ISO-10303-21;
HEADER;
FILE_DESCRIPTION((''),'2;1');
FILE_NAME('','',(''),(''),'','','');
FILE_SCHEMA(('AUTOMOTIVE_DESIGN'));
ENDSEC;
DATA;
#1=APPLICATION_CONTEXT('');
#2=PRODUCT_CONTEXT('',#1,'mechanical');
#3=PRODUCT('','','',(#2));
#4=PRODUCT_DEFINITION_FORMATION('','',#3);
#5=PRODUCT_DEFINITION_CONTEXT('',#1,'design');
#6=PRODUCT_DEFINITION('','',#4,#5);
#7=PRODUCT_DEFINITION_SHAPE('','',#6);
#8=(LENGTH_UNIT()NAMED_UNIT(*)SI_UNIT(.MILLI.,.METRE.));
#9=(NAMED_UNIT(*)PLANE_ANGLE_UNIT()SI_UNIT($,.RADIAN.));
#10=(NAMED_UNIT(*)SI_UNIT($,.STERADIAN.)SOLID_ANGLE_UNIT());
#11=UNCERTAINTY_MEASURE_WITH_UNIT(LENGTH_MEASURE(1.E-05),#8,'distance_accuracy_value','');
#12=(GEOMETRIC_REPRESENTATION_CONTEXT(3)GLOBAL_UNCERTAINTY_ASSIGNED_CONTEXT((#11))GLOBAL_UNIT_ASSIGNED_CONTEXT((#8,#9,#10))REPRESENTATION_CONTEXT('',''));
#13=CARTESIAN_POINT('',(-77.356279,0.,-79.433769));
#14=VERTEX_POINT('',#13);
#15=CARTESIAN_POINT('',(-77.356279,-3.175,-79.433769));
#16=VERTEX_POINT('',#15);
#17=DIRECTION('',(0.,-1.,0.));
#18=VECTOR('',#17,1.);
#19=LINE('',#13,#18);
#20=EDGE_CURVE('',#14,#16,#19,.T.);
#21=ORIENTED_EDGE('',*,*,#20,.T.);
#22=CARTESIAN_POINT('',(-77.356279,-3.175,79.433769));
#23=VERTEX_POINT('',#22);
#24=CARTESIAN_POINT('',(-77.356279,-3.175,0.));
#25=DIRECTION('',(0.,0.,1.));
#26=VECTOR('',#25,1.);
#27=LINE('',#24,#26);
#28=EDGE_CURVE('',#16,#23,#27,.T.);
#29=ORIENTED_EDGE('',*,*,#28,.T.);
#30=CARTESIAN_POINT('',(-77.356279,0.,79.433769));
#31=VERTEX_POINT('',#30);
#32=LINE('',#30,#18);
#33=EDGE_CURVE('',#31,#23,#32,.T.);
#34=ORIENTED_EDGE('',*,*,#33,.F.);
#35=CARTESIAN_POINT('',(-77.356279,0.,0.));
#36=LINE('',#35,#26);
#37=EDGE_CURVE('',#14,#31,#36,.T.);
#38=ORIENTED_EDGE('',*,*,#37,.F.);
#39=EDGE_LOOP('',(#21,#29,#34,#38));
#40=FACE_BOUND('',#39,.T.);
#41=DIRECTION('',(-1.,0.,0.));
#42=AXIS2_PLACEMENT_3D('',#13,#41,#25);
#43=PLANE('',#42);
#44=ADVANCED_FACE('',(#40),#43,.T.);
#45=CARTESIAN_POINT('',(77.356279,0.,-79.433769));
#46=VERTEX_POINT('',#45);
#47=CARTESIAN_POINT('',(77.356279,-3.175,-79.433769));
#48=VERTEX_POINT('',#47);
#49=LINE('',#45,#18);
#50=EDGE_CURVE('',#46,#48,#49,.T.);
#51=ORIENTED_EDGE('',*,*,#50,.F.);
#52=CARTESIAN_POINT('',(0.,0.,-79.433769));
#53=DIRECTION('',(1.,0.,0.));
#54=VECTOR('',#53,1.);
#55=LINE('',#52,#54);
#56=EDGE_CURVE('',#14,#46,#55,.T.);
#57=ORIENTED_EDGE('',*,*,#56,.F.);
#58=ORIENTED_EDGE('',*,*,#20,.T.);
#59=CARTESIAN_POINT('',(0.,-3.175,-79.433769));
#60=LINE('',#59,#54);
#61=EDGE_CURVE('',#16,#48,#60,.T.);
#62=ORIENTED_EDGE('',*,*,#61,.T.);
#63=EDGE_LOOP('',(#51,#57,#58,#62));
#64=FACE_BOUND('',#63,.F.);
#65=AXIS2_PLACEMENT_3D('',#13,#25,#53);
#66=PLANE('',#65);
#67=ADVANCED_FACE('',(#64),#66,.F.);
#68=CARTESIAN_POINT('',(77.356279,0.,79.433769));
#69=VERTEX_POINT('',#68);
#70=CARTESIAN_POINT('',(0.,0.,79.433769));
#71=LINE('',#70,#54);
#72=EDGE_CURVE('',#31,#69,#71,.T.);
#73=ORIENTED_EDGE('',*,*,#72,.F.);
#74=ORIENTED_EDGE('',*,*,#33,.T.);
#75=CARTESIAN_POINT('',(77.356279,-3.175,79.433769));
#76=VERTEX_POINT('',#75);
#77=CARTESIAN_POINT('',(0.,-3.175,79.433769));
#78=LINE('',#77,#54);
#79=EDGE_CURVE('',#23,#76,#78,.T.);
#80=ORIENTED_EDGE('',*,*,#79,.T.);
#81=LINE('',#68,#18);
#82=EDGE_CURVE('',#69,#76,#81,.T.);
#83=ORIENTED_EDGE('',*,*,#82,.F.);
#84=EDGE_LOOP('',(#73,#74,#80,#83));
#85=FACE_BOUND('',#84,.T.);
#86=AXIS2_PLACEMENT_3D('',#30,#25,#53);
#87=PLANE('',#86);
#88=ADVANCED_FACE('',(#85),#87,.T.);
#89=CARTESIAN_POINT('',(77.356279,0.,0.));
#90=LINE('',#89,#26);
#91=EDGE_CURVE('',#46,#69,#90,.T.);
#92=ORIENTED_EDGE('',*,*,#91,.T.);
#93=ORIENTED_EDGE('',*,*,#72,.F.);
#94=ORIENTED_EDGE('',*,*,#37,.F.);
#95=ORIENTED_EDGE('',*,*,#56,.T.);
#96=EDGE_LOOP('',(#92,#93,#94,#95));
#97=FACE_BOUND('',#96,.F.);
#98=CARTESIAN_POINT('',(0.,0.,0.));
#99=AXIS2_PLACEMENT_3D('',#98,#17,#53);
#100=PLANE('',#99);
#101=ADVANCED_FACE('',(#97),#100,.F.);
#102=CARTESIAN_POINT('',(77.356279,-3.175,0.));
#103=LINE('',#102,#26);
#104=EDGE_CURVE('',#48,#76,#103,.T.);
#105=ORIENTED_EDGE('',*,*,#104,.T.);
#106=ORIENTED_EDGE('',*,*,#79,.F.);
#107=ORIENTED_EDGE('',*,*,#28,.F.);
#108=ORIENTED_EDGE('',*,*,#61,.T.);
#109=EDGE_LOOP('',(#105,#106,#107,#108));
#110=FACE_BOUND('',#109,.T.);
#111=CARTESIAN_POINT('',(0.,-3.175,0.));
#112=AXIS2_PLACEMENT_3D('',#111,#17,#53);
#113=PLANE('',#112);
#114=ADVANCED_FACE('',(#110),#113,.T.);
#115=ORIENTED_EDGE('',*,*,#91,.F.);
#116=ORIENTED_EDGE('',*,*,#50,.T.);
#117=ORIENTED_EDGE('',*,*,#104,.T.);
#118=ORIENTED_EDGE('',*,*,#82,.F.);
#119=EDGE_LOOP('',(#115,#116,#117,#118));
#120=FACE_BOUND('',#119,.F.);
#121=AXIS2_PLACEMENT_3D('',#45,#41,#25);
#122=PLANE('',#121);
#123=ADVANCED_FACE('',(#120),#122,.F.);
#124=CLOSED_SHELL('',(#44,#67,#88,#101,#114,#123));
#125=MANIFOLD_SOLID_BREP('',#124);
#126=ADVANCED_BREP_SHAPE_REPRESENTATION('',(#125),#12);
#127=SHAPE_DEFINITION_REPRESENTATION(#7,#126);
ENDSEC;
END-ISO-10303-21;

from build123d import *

# Parameters (mm, degrees)
F1_W     = 154.7125577927
F1_H     = 158.8675379753
F1_W_2   = 119.4823682308
F1_H_2   = 121.4367300272
F2_DEPTH = 3.175


with BuildPart() as f2:
    # F1 (on face) → F2 (new body)
    with BuildSketch(Plane.XZ):
        Rectangle(F1_W, F1_H)
        Rectangle(F1_W_2, F1_H_2, mode=Mode.SUBTRACT)
        Rectangle(F1_W_2, F1_H_2)
    extrude(amount=F2_DEPTH)


solid = f2.part
